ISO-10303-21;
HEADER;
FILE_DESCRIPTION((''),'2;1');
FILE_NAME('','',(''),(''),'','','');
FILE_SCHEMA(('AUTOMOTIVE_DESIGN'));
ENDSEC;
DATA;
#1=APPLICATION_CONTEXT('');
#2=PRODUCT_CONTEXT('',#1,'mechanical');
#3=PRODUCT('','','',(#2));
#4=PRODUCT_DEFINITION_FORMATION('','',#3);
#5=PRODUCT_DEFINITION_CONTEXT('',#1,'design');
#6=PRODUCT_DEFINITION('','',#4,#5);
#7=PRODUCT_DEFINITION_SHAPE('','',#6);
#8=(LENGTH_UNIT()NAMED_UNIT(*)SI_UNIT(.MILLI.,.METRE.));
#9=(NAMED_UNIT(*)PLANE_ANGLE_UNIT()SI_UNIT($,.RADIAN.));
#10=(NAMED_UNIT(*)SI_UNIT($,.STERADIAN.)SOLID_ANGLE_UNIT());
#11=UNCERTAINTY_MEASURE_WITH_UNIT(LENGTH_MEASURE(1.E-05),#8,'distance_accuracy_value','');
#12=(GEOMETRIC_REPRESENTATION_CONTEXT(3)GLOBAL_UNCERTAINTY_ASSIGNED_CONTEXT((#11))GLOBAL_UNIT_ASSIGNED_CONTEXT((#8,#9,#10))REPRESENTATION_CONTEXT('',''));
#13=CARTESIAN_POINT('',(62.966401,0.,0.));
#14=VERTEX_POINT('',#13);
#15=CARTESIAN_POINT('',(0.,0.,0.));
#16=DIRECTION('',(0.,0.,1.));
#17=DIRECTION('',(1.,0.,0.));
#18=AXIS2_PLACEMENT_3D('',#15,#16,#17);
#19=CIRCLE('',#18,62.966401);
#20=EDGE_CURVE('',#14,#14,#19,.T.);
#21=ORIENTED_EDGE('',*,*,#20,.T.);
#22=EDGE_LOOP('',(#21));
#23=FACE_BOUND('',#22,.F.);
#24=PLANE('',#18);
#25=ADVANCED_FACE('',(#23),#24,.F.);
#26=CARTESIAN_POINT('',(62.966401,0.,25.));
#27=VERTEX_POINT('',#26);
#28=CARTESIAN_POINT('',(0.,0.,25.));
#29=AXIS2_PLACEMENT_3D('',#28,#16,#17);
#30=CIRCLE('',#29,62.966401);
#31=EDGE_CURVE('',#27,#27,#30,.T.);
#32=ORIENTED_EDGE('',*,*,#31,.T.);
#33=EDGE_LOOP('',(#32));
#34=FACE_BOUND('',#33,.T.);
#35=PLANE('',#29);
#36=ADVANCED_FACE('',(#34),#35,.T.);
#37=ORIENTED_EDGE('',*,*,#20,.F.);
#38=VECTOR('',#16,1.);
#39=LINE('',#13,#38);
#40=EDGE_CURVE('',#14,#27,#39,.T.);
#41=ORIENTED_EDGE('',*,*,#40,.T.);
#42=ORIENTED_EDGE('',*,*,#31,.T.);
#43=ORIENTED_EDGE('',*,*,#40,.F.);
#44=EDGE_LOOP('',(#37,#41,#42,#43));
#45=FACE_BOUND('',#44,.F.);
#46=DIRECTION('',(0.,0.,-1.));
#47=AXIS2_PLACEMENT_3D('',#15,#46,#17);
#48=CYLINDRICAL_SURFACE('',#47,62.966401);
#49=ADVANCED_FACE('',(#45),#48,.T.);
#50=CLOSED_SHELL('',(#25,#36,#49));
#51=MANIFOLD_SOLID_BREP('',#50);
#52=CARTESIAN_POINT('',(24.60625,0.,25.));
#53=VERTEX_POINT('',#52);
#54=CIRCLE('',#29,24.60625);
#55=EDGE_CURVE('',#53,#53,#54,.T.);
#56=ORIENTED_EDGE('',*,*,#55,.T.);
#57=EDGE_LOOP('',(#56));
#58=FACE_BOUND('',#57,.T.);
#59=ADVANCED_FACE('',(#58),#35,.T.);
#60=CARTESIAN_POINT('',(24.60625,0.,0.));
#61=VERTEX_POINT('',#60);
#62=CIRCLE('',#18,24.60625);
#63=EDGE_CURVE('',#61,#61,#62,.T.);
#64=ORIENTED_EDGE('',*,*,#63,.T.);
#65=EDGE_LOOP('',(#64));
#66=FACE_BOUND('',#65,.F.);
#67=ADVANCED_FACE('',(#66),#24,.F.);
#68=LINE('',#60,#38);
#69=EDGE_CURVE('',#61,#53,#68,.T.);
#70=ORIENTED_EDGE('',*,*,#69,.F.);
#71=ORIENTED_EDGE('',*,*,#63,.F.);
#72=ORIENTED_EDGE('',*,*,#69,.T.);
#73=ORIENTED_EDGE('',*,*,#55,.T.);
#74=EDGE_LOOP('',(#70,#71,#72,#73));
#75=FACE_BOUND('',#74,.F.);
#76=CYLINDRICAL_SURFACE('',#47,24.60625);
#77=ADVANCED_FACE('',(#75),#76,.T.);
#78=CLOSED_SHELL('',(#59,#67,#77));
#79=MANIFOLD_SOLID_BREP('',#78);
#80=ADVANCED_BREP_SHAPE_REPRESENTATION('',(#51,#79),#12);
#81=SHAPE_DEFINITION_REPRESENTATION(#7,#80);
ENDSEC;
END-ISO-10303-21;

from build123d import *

# Parameters (mm, degrees)
F0_R     = 24.60625
F2_DEPTH = 25
F1_R     = 62.9664006196


with BuildPart() as f2:
    # F0 (on Top) → F2 (new body)
    with BuildSketch(Plane.XY):
        Circle(F0_R)
    extrude(amount=F2_DEPTH)


with BuildPart() as f2b:
    # F1 (on Top) → F2, piece 2 (new body)
    with BuildSketch(Plane.XY):
        Circle(F1_R)
    extrude(amount=F2_DEPTH)


solid = Compound([f2.part, f2b.part])
